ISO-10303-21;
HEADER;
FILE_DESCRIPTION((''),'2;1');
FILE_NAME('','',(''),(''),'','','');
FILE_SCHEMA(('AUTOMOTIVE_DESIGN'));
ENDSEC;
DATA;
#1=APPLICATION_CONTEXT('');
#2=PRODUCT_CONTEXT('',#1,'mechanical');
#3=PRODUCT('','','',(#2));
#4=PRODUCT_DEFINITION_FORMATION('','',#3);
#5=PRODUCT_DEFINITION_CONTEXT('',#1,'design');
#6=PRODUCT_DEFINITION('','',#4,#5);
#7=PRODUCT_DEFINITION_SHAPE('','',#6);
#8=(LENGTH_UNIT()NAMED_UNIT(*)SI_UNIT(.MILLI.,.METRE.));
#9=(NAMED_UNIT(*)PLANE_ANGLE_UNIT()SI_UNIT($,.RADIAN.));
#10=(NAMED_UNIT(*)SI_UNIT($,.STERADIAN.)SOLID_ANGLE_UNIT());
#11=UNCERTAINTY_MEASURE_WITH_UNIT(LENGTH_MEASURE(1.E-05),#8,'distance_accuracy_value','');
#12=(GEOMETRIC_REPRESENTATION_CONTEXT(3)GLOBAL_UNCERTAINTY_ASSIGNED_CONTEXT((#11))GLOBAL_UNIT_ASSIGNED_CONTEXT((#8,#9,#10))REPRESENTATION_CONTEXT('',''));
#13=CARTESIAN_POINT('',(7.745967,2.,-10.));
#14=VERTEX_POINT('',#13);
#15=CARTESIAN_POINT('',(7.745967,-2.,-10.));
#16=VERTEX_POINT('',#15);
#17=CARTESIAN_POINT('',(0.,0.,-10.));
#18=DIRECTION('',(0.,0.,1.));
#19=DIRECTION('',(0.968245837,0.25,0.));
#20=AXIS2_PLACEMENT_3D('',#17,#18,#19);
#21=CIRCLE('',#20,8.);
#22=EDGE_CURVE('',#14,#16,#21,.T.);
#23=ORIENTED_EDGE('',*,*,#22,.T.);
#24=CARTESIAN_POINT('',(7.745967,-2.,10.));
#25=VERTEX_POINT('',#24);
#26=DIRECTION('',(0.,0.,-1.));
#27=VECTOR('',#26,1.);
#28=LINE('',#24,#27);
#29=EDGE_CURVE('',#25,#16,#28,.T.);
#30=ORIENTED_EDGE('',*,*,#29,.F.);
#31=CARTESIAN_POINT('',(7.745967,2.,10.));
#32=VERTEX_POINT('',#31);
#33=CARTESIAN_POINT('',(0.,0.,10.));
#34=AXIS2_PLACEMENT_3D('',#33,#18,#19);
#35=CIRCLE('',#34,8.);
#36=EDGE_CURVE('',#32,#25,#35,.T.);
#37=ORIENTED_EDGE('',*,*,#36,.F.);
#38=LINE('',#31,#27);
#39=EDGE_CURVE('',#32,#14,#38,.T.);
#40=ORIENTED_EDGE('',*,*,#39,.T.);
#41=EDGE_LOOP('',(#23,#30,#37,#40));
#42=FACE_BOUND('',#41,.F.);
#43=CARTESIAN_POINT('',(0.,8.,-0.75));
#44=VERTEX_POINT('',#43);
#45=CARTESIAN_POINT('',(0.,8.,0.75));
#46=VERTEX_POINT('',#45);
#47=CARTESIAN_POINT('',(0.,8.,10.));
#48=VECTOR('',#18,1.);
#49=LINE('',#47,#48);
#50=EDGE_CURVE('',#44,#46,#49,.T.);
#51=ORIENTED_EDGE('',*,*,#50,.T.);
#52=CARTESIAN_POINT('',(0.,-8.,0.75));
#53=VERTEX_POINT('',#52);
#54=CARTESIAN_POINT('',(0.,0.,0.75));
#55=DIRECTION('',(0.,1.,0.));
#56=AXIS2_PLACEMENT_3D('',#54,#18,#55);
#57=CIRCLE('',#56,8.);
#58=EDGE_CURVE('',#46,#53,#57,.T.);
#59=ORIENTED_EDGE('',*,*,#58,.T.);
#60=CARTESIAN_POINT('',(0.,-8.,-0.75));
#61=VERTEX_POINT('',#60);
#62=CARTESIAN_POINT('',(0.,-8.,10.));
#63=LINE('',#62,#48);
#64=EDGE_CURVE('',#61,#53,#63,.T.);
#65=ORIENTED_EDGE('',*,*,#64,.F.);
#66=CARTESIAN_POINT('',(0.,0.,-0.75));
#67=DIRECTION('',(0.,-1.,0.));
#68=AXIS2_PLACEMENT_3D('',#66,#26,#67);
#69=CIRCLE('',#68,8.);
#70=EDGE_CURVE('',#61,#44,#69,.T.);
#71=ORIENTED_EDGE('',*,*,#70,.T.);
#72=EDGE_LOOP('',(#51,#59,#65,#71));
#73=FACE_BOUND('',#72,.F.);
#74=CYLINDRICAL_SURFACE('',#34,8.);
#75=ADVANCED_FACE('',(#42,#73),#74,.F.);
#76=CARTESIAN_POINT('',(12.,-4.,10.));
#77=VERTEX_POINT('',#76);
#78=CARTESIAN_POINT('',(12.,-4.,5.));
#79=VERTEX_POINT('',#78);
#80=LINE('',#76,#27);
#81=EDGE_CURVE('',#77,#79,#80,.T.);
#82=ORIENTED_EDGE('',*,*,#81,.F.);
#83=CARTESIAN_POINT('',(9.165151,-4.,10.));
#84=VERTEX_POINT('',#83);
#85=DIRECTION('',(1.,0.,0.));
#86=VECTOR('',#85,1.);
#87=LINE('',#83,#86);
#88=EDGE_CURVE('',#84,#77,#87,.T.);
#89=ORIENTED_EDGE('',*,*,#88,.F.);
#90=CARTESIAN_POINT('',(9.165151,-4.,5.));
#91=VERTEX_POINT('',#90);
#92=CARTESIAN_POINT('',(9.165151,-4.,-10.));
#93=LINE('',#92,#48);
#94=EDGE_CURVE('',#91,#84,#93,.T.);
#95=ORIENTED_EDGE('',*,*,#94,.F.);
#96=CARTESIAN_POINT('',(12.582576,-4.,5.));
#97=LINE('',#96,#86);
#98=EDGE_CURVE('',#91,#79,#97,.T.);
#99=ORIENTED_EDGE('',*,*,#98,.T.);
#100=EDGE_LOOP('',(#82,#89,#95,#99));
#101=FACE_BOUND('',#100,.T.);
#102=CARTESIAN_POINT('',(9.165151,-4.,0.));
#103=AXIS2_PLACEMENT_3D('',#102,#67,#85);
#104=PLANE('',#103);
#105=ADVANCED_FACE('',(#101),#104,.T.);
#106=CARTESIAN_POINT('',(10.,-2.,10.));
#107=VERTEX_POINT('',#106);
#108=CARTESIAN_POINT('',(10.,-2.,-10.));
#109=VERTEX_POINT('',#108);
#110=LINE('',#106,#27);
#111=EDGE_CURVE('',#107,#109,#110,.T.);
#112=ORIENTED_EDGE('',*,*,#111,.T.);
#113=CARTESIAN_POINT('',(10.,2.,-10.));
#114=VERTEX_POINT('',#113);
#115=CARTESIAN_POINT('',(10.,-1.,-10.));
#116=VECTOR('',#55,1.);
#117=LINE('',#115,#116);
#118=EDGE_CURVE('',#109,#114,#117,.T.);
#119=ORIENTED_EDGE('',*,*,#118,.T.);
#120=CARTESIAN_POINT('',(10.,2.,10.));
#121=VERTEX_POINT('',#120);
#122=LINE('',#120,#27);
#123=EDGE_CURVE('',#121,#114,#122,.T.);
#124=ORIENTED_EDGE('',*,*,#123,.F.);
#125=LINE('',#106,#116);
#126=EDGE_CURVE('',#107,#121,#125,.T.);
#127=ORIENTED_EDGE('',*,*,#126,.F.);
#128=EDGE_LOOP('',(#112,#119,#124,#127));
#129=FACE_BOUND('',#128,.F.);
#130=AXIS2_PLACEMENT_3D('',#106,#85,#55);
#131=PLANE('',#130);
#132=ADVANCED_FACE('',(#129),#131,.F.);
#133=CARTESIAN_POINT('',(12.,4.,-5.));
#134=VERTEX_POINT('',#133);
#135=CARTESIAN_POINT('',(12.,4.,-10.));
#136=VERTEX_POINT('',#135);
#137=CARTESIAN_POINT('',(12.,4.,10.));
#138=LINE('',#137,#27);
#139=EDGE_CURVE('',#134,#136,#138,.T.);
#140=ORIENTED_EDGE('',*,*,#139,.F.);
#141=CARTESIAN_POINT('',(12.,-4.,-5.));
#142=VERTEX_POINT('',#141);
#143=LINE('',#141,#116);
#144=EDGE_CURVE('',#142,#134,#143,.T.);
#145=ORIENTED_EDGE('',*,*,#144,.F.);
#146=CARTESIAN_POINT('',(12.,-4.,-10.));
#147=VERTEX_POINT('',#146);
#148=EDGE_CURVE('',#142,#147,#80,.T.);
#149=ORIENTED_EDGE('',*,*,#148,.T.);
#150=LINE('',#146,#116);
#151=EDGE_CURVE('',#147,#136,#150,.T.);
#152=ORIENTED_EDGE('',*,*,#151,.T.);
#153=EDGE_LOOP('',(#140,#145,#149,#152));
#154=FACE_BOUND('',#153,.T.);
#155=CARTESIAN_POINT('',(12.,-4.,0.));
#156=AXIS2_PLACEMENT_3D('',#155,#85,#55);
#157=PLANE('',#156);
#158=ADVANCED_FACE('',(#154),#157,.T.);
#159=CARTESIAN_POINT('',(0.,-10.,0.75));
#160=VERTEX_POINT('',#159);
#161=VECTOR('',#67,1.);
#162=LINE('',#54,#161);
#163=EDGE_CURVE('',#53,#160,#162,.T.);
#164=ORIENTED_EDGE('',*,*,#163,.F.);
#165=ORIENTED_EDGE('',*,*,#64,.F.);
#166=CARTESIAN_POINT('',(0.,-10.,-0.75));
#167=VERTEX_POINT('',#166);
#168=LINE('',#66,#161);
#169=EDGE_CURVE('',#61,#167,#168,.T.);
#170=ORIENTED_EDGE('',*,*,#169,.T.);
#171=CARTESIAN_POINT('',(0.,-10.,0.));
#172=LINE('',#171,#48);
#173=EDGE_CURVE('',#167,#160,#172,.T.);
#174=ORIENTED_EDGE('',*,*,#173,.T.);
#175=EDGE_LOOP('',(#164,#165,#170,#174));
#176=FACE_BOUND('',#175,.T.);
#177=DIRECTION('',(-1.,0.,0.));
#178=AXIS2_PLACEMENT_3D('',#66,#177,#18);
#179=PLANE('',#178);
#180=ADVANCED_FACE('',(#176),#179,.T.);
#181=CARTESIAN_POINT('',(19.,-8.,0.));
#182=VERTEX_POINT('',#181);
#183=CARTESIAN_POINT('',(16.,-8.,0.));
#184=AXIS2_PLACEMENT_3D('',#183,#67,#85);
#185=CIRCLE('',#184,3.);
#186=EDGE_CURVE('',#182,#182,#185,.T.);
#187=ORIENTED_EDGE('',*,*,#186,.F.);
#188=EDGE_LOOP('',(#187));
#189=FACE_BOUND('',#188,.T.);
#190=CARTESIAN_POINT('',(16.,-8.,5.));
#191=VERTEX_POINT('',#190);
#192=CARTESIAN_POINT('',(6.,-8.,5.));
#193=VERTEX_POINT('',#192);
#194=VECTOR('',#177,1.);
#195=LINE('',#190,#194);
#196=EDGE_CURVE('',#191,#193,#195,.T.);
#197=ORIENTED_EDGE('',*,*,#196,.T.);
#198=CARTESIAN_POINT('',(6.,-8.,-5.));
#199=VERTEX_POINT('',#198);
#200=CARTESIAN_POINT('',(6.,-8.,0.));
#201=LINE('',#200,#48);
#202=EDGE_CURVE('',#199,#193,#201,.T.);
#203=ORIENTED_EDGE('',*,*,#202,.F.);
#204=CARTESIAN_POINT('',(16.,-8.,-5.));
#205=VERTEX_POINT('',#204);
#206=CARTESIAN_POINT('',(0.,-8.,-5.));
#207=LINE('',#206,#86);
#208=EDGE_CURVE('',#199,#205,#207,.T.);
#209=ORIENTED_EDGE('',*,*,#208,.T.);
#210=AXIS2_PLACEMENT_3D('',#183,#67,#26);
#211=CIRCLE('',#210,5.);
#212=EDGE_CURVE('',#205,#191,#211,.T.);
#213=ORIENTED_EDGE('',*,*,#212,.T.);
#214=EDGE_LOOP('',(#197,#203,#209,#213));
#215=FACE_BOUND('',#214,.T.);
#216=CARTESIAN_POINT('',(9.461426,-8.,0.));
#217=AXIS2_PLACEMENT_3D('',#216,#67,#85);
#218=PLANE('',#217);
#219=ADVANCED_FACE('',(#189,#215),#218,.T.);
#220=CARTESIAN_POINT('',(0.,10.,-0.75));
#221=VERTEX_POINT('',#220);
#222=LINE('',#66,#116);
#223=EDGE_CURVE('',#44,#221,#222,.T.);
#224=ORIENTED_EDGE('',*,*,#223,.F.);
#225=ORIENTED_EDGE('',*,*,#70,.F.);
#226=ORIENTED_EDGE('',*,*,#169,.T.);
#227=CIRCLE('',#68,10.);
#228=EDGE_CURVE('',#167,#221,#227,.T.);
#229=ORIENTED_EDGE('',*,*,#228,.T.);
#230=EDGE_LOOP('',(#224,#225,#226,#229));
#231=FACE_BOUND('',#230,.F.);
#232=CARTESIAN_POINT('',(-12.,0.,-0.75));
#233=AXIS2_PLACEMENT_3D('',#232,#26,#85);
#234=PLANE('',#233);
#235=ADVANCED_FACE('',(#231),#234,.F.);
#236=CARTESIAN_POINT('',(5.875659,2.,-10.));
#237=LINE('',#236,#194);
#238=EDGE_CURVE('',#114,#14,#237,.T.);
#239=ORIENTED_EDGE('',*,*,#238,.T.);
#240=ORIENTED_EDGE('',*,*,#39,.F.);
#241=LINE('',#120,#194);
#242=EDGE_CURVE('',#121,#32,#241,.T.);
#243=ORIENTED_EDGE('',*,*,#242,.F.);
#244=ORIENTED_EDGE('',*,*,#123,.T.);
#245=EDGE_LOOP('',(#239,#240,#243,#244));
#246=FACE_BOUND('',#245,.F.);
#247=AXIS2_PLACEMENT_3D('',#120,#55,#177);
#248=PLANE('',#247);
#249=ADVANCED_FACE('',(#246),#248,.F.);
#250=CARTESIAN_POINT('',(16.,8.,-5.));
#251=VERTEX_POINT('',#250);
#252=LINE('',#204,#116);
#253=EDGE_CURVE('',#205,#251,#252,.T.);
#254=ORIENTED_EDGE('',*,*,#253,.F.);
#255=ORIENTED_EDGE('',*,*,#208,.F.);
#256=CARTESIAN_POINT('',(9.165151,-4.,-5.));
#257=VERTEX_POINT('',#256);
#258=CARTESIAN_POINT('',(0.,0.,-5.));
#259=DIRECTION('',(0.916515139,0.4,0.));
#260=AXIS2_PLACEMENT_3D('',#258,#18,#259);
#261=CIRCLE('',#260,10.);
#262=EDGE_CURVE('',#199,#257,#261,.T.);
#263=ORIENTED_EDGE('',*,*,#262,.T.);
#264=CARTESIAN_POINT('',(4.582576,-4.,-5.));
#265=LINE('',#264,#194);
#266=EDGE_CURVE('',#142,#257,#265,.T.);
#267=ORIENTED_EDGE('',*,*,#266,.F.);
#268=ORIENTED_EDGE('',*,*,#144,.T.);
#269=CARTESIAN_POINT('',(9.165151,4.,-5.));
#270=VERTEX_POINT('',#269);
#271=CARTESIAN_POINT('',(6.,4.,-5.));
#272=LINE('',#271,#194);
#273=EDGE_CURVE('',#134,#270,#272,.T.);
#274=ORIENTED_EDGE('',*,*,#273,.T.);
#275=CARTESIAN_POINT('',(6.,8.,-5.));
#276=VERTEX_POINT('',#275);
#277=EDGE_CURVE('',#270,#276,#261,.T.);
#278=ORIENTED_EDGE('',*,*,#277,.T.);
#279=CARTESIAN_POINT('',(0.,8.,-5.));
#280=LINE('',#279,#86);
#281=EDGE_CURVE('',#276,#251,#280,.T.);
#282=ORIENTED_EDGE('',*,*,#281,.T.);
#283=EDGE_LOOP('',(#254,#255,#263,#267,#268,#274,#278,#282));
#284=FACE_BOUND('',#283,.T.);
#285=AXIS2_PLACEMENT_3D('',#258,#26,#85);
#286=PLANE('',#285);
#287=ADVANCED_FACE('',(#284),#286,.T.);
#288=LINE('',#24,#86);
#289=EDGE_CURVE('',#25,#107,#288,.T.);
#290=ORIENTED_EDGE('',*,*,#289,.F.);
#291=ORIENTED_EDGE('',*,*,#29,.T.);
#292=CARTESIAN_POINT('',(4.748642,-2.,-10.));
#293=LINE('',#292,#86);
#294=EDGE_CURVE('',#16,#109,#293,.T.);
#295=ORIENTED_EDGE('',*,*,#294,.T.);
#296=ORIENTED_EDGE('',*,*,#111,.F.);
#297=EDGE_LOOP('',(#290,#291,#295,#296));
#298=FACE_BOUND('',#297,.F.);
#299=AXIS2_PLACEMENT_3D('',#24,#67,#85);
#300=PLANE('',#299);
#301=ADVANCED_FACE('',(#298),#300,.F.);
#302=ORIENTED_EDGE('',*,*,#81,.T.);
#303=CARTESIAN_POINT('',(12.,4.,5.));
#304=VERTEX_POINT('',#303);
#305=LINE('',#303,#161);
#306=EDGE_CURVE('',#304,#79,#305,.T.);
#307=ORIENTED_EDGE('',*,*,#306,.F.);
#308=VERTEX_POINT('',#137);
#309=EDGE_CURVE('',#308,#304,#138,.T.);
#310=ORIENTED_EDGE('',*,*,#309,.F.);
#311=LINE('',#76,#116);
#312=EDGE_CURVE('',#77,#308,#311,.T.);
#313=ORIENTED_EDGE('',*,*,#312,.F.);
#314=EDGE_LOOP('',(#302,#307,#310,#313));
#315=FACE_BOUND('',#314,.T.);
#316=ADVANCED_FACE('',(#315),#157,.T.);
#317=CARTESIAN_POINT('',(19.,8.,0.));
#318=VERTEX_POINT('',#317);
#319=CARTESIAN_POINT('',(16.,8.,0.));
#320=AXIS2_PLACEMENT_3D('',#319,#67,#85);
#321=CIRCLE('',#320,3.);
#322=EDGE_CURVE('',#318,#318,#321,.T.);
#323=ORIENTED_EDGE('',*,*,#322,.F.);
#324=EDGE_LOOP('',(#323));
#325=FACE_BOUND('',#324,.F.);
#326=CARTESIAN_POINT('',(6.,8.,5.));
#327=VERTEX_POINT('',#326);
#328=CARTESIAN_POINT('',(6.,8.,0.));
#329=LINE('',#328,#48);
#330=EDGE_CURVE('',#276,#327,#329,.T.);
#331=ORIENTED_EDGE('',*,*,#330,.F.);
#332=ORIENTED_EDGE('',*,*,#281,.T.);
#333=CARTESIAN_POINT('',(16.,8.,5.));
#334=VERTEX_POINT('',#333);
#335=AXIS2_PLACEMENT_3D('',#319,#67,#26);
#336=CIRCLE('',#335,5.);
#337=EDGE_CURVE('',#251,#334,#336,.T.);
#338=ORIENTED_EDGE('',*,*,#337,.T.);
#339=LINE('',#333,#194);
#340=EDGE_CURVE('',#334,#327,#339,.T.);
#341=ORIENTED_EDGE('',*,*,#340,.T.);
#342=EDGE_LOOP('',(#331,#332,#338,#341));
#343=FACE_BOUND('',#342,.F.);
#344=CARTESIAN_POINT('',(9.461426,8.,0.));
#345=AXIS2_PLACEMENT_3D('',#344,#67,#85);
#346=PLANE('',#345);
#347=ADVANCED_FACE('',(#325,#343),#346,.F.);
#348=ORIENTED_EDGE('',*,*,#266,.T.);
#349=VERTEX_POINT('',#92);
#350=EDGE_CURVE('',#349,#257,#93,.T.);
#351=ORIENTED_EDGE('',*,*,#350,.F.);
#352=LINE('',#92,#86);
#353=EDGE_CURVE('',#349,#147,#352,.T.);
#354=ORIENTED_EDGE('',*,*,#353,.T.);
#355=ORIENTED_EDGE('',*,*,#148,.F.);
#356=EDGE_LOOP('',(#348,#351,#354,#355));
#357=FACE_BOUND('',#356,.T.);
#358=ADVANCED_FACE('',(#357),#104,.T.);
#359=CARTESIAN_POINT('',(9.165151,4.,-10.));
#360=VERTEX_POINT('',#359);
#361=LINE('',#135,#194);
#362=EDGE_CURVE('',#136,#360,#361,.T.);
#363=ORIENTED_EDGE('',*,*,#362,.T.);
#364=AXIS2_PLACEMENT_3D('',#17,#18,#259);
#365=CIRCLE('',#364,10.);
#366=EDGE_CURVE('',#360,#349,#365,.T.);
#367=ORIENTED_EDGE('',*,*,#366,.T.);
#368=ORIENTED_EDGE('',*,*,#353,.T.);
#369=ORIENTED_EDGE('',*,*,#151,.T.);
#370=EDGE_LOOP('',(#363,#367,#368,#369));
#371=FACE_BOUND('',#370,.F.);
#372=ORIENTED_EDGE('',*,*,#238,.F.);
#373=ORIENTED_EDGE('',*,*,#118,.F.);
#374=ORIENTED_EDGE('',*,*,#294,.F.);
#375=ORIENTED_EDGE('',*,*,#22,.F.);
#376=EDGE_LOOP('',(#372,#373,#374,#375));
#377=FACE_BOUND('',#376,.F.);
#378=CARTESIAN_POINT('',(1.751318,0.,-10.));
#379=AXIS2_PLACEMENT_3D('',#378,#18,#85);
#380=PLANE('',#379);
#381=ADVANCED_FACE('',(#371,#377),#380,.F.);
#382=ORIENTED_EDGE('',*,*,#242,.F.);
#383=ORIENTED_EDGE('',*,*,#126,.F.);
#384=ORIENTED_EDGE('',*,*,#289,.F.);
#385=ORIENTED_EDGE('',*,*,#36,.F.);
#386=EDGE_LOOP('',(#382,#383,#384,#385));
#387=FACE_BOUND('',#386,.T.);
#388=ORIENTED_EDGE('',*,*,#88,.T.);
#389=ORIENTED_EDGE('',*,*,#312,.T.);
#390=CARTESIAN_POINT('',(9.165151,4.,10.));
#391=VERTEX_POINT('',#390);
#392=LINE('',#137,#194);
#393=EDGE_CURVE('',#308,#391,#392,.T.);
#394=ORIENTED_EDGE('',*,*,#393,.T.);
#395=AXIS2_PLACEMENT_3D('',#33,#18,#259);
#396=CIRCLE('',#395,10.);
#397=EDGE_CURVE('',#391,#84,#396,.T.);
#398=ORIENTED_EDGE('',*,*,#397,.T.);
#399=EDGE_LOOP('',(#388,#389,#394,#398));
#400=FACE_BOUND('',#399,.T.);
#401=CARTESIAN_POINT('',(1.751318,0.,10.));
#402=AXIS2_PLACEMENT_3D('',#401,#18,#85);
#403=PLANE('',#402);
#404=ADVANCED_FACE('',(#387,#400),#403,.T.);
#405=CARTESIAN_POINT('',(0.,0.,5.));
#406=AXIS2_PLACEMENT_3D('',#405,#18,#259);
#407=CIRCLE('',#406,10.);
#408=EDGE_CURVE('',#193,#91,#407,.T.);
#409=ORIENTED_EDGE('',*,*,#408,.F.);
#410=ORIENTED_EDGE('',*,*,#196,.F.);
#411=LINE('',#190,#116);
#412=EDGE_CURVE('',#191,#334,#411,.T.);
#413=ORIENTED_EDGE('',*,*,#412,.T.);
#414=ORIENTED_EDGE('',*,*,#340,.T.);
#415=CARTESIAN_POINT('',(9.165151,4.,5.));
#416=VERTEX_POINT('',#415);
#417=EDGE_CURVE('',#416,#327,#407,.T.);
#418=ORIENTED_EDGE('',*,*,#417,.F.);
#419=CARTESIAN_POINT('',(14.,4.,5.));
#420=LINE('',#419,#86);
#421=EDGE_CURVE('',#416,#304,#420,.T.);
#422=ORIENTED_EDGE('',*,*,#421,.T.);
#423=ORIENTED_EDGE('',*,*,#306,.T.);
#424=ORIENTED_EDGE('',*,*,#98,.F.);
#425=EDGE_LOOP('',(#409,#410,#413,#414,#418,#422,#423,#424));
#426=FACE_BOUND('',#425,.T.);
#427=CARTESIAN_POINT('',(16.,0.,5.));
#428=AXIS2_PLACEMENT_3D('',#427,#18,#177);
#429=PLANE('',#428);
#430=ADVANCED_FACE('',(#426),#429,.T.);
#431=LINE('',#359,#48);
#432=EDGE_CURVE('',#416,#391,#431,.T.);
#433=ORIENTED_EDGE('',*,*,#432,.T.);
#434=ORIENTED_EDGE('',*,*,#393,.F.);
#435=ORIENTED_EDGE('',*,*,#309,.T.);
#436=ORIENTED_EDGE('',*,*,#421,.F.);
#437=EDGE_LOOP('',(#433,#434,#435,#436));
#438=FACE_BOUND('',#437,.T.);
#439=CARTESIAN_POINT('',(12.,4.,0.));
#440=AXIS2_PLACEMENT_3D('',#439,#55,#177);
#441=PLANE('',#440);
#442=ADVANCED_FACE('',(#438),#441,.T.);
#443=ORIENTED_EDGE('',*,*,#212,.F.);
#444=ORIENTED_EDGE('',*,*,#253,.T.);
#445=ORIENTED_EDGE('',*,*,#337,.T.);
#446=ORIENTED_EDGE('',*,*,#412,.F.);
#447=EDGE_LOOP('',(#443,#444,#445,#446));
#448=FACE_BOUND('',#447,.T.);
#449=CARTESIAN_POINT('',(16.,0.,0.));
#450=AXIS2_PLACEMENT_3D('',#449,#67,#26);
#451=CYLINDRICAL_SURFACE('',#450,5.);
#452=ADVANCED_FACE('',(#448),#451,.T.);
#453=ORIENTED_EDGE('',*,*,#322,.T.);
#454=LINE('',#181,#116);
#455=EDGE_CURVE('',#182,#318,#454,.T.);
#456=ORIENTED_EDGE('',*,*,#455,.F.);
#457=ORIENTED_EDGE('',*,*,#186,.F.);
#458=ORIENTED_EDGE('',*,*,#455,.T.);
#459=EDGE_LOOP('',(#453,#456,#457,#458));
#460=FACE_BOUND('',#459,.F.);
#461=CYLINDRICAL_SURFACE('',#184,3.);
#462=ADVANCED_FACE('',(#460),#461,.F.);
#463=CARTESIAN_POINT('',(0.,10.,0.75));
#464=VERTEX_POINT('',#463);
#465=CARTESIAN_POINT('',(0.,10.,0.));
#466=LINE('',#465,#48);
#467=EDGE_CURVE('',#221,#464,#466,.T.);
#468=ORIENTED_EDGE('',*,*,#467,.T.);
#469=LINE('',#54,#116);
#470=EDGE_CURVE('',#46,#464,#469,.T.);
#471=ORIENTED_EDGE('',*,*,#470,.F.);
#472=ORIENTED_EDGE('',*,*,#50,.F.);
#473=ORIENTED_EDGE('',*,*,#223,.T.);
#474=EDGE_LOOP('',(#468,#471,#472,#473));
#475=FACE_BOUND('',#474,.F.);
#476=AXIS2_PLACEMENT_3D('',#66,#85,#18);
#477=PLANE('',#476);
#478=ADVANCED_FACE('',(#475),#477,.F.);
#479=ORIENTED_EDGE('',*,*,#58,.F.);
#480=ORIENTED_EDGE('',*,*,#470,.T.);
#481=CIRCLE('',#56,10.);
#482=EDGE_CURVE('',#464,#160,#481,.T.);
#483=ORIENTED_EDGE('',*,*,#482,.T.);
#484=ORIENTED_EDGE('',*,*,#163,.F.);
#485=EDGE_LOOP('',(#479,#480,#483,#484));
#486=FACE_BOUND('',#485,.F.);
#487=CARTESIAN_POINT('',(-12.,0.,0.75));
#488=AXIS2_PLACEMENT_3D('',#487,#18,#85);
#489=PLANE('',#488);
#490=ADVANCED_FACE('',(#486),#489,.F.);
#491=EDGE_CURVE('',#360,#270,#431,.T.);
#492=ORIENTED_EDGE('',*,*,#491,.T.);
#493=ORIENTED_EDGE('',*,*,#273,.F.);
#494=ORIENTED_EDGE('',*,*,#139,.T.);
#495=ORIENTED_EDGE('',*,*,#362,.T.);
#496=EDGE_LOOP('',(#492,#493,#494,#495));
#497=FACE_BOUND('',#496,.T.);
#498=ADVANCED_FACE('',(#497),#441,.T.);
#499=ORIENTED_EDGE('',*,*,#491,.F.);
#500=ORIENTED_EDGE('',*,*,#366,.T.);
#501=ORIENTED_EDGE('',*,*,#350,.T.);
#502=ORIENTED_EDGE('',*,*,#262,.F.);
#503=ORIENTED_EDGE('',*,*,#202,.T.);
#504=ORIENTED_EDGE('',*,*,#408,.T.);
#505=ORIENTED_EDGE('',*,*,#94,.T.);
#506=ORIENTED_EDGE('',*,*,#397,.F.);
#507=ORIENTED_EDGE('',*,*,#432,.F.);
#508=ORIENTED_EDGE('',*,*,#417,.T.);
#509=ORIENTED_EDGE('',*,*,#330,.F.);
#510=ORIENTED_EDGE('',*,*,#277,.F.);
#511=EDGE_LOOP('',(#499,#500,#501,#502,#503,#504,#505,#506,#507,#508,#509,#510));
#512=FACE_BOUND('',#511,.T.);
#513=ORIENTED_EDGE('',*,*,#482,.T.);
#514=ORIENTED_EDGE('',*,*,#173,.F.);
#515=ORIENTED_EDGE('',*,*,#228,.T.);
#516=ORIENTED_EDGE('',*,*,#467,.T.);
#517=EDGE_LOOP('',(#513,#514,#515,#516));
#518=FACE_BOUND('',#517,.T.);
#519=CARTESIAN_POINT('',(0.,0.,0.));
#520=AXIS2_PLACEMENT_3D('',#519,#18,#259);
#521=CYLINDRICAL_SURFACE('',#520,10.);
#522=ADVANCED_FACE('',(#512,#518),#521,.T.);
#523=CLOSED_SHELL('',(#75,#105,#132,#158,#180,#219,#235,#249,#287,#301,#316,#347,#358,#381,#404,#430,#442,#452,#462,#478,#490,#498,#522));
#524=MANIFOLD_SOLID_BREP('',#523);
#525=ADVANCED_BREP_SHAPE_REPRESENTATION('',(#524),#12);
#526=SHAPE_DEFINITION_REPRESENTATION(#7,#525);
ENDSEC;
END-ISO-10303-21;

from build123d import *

# Parameters (mm, degrees)
F1_DEPTH      = 10
F1_DEPTH_BACK = 10
F3_DEPTH      = 8
F3_DEPTH_BACK = 8
F5_DEPTH      = 20.001
F6_R          = 3
F7_DEPTH      = 18.001
F8_W          = 12
F8_H          = 1.5
F9_DEPTH      = 10.001
F9_DEPTH_BACK = 10.001


with BuildPart() as f1:
    # F0 (on Top) → F1 (new body, two sides)
    with BuildSketch(Plane.XY) as f1_sk:
        with BuildLine():
            Line((12, 4), (9.1651513899, 4))
            ThreePointArc((9.1651513899, 4), (-10, 0), (9.1651513899, -4))
            Line((9.1651513899, -4), (12, -4))
            Line((12, -4), (12, 4))
        make_face()
    extrude(amount=F1_DEPTH)
    extrude(f1_sk.sketch, amount=-F1_DEPTH_BACK)

    # F2 (on Front) → F3 (join, two sides)
    with BuildSketch(Plane.XZ) as f3_sk:
        with BuildLine():
            Line((16, 5), (0, 5))
            Line((0, 5), (0, -5))
            Line((0, -5), (16, -5))
            ThreePointArc((16, -5), (21, 0), (16, 5))
        make_face()
    extrude(amount=F3_DEPTH)
    extrude(f3_sk.sketch, amount=-F3_DEPTH_BACK)

    # F4 (on face) → F5 (cut, through all)
    with BuildSketch(Plane.XY.offset(10)):
        with BuildLine():
            Line((10, 2), (7.7459666924, 2))
            ThreePointArc((7.7459666924, 2), (-8, 0), (7.7459666924, -2))
            Line((7.7459666924, -2), (10, -2))
            Line((10, -2), (10, 2))
        make_face()
    extrude(amount=-F5_DEPTH, mode=Mode.SUBTRACT)

    # F6 (on face) → F7 (cut, through all)
    with BuildSketch(Plane.XZ.offset(8)):
        with Locations((16, 0)):
            Circle(F6_R)
    extrude(amount=-F7_DEPTH, mode=Mode.SUBTRACT)

    # F8 (on Front) → F9 (cut, two sides)
    with BuildSketch(Plane.XZ) as f9_sk:
        with Locations((-6, 0)):
            Rectangle(F8_W, F8_H)
    extrude(amount=-F9_DEPTH, mode=Mode.SUBTRACT)
    extrude(f9_sk.sketch, amount=F9_DEPTH_BACK, mode=Mode.SUBTRACT)


solid = f1.part
